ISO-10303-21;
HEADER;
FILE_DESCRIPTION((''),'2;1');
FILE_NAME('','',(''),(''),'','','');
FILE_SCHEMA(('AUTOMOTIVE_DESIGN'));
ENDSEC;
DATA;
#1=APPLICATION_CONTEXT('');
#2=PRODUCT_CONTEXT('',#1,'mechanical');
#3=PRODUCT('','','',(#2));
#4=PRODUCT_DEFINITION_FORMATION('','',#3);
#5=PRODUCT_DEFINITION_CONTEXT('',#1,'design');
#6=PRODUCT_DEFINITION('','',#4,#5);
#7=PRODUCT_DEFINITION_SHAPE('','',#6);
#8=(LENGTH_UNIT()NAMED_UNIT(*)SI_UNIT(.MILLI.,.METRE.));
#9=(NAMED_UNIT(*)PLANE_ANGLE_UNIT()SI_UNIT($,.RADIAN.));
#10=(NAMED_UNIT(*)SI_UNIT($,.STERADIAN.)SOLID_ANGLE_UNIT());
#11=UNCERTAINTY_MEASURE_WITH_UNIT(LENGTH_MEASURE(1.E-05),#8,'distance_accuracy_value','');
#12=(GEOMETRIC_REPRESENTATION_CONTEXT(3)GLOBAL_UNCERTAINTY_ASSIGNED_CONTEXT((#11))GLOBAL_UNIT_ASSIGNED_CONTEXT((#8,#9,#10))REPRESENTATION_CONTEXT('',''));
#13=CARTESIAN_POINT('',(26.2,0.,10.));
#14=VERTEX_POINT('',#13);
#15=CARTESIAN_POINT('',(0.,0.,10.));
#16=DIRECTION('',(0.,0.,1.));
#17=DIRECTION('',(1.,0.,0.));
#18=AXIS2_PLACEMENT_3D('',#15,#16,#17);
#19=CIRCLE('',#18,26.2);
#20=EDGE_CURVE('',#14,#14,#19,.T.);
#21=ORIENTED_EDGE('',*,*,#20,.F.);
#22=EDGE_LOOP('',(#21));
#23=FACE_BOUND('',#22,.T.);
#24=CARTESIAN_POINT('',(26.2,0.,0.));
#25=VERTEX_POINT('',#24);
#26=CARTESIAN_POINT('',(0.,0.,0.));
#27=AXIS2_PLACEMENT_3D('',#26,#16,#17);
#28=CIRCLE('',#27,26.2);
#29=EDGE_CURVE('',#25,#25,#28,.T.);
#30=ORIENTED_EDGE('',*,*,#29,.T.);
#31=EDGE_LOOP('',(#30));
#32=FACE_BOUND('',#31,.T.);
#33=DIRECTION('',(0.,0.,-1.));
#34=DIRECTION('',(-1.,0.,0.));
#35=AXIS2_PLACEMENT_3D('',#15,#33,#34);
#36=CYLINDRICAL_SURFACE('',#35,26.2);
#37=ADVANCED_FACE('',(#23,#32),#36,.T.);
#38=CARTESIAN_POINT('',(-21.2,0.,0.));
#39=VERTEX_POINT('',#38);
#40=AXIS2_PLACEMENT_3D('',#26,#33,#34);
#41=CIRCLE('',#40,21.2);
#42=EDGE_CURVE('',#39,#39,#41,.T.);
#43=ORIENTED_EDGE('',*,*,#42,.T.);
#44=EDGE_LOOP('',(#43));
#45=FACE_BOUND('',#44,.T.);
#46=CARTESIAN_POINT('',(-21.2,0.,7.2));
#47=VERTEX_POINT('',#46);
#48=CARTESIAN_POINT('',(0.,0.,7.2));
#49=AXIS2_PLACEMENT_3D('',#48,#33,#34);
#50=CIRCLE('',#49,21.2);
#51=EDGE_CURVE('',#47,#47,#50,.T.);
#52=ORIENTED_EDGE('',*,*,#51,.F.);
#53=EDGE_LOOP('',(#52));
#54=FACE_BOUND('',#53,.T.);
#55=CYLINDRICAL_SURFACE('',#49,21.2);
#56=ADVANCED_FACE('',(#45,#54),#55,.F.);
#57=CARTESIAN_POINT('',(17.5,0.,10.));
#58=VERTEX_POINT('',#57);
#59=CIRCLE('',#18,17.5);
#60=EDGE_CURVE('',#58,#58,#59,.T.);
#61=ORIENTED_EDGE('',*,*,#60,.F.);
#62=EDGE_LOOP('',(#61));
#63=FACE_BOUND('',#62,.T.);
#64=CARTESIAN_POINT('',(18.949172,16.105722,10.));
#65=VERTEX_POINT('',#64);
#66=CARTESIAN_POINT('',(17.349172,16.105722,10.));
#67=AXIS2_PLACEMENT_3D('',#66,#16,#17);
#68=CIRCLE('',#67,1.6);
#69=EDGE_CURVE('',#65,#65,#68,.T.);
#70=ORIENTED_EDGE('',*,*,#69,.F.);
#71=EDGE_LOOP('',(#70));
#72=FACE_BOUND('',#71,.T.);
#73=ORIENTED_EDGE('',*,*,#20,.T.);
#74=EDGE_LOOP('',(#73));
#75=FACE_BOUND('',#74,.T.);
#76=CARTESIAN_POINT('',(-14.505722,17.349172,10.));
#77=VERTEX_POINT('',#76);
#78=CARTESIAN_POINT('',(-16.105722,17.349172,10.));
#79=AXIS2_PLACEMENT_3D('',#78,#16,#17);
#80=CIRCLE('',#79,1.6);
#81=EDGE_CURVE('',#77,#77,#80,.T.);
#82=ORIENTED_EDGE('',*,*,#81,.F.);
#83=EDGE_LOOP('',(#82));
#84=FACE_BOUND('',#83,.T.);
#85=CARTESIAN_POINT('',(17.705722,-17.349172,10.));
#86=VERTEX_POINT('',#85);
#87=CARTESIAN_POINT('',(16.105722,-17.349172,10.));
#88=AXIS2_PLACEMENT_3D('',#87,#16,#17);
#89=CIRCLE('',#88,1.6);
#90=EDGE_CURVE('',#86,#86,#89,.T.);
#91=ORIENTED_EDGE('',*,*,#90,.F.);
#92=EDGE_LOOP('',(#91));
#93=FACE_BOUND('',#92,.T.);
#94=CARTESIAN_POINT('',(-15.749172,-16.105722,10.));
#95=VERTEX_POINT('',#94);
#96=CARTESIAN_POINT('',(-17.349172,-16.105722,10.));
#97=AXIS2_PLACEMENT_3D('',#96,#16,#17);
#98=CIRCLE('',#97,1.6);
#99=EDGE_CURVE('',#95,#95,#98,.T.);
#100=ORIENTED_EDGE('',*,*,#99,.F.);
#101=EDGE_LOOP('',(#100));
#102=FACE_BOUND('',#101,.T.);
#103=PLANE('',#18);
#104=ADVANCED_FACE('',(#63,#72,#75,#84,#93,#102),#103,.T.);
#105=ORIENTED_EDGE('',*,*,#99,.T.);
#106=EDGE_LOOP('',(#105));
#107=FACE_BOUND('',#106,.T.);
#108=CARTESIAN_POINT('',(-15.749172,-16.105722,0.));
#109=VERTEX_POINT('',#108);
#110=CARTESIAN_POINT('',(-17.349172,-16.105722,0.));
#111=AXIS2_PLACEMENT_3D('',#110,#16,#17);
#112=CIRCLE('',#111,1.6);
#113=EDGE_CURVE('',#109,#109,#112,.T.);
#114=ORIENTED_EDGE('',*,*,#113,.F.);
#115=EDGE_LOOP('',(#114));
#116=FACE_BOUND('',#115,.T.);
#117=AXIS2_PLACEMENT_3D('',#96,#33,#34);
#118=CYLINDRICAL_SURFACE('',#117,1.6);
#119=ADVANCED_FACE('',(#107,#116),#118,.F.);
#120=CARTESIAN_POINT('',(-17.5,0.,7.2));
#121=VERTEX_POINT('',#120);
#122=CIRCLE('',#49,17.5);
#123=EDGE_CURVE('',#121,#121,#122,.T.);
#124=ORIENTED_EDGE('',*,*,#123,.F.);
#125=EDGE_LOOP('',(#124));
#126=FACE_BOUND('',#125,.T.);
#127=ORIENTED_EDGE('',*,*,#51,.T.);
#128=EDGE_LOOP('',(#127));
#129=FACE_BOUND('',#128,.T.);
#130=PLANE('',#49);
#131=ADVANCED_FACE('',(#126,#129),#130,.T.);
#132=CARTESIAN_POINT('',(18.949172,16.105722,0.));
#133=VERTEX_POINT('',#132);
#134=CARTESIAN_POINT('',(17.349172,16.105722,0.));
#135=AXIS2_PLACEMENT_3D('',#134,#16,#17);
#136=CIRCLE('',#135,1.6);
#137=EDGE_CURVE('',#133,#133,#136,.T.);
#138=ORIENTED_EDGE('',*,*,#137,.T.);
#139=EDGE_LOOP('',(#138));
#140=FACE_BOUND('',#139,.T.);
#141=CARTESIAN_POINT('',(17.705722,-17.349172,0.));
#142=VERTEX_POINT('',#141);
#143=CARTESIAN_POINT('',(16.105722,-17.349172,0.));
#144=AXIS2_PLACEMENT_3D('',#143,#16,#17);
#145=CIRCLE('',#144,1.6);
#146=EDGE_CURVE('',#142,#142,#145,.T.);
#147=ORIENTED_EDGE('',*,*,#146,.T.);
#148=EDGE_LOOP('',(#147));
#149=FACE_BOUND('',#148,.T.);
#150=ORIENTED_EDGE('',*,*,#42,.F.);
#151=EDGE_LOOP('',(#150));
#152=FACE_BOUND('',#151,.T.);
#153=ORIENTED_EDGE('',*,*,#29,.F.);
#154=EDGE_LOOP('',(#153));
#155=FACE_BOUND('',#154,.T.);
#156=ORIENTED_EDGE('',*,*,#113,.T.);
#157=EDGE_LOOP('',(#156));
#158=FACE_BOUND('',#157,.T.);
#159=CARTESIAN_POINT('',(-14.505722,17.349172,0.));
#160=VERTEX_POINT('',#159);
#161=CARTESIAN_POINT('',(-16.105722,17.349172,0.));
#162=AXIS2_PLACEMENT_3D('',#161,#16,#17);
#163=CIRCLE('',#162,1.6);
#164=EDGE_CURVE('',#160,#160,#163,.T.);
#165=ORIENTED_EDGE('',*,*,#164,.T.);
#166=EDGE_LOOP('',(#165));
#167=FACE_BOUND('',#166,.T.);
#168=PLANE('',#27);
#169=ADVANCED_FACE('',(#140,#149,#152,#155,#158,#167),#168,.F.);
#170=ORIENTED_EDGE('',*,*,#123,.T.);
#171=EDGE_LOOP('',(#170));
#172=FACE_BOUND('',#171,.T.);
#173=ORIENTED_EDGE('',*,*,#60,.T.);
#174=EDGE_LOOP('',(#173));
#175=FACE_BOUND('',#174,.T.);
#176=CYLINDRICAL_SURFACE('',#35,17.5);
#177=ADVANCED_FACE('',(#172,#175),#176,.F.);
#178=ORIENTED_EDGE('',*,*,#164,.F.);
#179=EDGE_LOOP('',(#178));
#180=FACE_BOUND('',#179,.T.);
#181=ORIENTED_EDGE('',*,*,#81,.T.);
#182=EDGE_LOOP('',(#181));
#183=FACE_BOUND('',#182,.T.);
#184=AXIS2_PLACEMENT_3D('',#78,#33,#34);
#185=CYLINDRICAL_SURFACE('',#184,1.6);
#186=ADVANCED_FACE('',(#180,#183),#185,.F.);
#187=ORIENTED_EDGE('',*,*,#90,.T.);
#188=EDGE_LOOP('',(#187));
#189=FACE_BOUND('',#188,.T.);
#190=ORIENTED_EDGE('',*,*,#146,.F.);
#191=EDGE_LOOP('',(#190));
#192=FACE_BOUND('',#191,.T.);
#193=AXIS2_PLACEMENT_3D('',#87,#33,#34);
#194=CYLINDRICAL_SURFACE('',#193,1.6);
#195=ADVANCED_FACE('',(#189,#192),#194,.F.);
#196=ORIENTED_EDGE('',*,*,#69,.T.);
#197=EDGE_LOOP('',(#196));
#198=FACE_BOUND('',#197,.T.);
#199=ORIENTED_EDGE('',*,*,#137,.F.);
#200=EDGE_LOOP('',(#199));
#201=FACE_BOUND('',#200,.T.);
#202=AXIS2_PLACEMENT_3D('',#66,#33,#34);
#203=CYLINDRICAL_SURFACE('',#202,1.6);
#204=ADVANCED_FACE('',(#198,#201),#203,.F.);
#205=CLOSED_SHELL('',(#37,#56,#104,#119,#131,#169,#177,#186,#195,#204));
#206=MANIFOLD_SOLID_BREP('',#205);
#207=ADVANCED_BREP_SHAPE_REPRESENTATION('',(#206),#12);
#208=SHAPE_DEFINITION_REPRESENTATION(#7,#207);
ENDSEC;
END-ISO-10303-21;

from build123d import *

# Parameters (mm, degrees)
SKETCH1_R           = 26.2
SKETCH1_R_2         = 1.6
SKETCH1_R_3         = 17.5
BOSS_EXTRUDE1_DEPTH = 10
SKETCH2_R           = 21.2
CUT_EXTRUDE1_DEPTH  = 7.2


with BuildPart() as part:
    # Sketch1 → Boss-Extrude1 (new body)
    with BuildSketch(Plane.XY):
        Circle(SKETCH1_R)
        with Locations((17.349171734, 16.10572211)):
            Circle(SKETCH1_R_2, mode=Mode.SUBTRACT)
        with Locations((16.10572211, -17.349171734)):
            Circle(SKETCH1_R_2, mode=Mode.SUBTRACT)
        with Locations((-16.10572211, 17.349171734)):
            Circle(SKETCH1_R_2, mode=Mode.SUBTRACT)
        with Locations((-17.349171734, -16.10572211)):
            Circle(SKETCH1_R_2, mode=Mode.SUBTRACT)
        Circle(SKETCH1_R_3, mode=Mode.SUBTRACT)
    extrude(amount=BOSS_EXTRUDE1_DEPTH)

    # Sketch2 → Cut-Extrude1 (cut)
    with BuildSketch(Plane(origin=(0, 0, 0), x_dir=(-1, 0, 0), z_dir=(0, 0, -1))):
        Circle(SKETCH2_R)
    extrude(amount=-CUT_EXTRUDE1_DEPTH, mode=Mode.SUBTRACT)


solid = part.part
